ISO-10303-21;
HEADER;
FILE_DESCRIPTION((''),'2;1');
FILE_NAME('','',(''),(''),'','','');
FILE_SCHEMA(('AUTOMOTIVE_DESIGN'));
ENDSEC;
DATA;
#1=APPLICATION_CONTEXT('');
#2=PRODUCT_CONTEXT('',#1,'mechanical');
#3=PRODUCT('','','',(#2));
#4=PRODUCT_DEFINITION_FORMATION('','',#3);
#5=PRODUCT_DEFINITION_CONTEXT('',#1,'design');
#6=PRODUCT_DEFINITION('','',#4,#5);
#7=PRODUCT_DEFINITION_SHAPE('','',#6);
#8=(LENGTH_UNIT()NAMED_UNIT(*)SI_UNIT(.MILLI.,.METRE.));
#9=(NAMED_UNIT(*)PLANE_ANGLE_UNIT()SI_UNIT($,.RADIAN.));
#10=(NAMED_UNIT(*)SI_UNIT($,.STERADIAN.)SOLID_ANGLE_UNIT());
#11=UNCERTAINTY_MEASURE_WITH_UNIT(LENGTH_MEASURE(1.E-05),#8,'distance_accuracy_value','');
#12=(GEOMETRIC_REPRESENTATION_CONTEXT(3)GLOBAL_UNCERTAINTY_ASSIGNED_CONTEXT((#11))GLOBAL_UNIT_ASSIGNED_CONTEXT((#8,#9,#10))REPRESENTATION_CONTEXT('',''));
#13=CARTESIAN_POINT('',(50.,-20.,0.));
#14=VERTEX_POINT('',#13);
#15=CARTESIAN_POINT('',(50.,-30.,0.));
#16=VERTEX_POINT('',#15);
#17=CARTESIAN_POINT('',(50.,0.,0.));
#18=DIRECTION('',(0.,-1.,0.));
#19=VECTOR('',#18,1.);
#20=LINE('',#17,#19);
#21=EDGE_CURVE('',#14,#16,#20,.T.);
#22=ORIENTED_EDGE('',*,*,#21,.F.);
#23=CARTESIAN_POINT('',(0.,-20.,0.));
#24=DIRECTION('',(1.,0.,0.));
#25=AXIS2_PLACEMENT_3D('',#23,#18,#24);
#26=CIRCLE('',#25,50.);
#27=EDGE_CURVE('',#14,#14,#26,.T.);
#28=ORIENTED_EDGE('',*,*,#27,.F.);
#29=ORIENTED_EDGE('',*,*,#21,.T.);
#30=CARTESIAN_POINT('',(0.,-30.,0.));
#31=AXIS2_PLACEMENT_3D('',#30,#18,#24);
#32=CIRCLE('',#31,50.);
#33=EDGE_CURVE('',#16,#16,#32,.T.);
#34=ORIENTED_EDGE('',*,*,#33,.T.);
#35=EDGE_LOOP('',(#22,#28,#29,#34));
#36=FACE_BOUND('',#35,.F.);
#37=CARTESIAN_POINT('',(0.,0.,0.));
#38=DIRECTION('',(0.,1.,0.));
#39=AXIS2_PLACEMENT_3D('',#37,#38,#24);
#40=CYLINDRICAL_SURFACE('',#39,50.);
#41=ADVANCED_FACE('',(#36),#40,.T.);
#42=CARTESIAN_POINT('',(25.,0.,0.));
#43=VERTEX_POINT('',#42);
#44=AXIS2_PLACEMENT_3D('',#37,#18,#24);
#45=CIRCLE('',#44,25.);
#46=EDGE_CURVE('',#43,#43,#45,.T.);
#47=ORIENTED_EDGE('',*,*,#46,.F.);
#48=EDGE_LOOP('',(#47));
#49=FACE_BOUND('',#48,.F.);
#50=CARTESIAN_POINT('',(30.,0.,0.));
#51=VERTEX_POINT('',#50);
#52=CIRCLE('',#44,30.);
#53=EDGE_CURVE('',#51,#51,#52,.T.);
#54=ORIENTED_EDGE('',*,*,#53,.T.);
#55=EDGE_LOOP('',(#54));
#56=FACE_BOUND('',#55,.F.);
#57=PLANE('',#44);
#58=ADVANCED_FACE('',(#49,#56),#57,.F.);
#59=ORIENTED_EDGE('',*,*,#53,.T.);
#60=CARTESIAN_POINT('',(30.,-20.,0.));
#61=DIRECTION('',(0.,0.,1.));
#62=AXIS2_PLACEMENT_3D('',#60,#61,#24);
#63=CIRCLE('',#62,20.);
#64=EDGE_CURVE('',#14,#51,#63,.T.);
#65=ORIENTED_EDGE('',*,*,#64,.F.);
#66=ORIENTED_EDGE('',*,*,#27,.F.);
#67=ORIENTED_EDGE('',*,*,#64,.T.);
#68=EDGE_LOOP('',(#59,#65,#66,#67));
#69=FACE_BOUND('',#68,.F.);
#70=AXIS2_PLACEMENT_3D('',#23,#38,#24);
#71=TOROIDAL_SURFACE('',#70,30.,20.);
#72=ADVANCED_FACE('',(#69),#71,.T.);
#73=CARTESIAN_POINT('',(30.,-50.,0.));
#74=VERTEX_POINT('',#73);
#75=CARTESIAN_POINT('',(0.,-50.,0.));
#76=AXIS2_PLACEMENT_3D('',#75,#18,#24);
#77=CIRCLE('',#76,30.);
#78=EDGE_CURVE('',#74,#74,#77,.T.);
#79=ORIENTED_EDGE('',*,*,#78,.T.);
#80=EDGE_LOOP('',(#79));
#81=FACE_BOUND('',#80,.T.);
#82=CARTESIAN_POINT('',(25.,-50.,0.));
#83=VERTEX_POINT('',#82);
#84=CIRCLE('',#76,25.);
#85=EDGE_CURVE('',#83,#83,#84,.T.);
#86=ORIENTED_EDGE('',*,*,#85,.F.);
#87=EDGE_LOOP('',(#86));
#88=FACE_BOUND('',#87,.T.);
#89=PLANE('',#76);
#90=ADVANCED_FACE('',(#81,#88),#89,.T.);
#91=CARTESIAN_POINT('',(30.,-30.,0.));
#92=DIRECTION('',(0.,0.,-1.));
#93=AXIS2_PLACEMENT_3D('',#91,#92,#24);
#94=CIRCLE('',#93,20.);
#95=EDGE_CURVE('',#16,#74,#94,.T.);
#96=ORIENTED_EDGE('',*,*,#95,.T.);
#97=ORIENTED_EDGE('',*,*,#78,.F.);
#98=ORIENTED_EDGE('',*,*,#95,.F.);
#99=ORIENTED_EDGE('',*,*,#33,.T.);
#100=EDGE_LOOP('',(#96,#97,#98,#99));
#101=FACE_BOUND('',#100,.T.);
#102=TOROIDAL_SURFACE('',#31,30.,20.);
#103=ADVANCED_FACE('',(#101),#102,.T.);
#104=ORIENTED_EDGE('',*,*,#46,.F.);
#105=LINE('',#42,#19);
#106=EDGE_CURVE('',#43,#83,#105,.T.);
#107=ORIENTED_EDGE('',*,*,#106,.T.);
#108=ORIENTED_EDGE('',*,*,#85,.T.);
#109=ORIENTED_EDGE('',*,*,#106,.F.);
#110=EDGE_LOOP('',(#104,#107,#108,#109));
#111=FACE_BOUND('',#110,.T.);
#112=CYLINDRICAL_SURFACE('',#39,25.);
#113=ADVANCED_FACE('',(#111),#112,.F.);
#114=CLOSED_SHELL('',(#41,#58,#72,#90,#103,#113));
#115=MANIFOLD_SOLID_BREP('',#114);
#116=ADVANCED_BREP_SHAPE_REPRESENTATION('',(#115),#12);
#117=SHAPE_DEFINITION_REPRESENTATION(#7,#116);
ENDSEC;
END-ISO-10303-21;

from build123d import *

# Parameters (mm, degrees)
SKETCH_R    = 50
SKETCH_R_2  = 25
PAD_DEPTH   = 50
FILLET_R    = 20
FILLET001_R = 20


with BuildPart() as part:
    # Sketch → Pad (new body)
    with BuildSketch(Plane.XZ):
        Circle(SKETCH_R)
        Circle(SKETCH_R_2, mode=Mode.SUBTRACT)
    extrude(amount=PAD_DEPTH)

    # Fillet
    fillet_edges = [part.edges().sort_by_distance(p)[0] for p in [
        (-50, -50, 0),
    ]]
    fillet(fillet_edges, radius=FILLET_R)

    # Fillet001
    fillet001_edges = [part.edges().sort_by_distance(p)[0] for p in [
        (-50, 0, 0),
    ]]
    fillet(fillet001_edges, radius=FILLET001_R)


solid = part.part
